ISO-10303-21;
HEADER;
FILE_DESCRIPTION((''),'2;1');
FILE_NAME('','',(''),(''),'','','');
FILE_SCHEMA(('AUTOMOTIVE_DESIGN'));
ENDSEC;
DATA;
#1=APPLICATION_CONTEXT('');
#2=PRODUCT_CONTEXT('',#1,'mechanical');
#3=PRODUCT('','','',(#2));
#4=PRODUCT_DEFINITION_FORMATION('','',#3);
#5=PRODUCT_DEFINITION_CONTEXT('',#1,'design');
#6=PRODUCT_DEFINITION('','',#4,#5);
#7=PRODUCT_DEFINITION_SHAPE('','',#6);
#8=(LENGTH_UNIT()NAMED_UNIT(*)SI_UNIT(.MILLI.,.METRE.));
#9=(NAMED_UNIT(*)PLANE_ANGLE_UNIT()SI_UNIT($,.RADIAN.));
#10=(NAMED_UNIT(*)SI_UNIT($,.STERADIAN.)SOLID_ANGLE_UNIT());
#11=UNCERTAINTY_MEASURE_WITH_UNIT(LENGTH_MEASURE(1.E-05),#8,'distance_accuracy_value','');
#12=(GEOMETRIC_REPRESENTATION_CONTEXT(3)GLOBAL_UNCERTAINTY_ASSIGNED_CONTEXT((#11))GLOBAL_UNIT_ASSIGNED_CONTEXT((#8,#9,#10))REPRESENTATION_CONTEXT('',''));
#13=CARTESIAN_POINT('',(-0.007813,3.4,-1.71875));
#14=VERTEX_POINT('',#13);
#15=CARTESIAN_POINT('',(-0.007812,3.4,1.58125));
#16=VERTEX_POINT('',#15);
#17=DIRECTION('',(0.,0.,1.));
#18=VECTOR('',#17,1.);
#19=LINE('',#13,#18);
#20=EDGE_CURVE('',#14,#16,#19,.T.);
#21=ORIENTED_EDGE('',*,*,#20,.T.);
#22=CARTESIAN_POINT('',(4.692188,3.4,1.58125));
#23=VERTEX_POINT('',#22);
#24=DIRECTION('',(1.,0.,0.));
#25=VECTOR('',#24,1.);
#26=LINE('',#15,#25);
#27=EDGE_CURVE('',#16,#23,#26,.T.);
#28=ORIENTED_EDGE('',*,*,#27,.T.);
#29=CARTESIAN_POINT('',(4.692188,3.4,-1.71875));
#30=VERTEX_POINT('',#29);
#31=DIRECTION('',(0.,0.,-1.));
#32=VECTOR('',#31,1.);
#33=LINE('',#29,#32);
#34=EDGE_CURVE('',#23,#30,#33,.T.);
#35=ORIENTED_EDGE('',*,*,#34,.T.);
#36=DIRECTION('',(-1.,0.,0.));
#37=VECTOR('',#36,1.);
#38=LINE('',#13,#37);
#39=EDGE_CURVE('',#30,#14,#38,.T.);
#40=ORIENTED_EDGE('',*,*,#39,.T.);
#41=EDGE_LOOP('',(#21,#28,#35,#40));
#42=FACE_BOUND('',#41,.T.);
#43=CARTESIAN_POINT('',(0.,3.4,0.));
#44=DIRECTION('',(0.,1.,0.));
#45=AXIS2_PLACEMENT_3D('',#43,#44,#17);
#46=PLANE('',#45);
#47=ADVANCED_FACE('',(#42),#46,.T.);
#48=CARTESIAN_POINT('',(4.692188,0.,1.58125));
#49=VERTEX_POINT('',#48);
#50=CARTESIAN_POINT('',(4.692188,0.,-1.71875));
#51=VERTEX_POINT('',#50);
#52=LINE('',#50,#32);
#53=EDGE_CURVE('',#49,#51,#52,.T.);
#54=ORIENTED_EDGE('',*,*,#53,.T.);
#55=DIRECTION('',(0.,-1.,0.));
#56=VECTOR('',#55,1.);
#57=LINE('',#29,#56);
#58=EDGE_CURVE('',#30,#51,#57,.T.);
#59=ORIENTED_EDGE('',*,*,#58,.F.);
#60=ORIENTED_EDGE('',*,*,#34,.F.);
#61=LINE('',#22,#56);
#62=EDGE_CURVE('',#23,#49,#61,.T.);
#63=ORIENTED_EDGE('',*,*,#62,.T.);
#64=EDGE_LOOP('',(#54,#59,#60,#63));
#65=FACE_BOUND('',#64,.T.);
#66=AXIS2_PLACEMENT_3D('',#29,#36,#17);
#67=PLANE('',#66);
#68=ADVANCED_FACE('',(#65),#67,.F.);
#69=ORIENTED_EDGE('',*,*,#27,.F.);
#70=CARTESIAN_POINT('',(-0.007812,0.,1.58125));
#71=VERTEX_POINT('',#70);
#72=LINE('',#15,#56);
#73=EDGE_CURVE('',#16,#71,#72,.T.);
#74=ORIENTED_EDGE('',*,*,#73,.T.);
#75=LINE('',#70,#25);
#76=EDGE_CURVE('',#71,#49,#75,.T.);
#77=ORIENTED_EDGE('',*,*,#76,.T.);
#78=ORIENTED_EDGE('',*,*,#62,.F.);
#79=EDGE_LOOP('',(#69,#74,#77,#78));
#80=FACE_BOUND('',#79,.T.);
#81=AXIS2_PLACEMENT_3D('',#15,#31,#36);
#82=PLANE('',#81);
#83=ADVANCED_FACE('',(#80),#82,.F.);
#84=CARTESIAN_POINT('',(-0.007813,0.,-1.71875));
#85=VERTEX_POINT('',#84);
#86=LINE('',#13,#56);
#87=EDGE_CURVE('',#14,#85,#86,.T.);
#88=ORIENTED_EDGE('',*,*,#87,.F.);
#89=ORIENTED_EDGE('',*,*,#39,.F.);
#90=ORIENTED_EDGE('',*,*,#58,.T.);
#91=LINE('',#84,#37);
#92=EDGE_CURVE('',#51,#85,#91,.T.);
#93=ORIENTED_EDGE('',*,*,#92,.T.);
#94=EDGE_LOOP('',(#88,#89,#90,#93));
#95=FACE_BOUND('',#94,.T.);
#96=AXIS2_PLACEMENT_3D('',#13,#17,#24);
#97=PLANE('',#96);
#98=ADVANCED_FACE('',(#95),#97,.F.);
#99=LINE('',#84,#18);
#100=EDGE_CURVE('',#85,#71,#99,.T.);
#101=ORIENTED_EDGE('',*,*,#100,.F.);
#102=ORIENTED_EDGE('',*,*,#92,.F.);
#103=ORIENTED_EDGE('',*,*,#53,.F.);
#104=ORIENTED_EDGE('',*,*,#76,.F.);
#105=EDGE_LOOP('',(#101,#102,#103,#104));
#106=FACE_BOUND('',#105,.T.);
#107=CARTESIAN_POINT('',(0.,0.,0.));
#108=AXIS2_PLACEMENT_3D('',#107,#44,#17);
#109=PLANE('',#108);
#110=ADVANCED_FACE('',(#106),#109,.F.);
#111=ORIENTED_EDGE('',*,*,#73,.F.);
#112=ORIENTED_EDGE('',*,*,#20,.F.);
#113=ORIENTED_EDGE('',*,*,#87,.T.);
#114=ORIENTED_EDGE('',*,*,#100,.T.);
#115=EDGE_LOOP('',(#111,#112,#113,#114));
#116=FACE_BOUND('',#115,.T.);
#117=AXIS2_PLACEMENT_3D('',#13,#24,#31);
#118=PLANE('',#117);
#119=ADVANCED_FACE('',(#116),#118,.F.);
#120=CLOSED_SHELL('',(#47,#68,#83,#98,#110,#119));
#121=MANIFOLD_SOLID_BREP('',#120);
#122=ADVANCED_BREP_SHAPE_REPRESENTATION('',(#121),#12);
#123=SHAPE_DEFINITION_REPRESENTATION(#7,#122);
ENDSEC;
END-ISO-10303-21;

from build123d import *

# Parameters (mm, degrees)
SKETCH1_W           = 4.7
SKETCH1_H           = 3.3
BOSS_EXTRUDE1_DEPTH = 3.4


with BuildPart() as part:
    # Sketch1 → Boss-Extrude1 (new body)
    with BuildSketch(Plane(origin=(0, 0, 0), x_dir=(1, 0, 0), z_dir=(0, 1, 0))):
        with Locations((2.3421875, 0.06875)):
            Rectangle(SKETCH1_W, SKETCH1_H)
    extrude(amount=BOSS_EXTRUDE1_DEPTH)


solid = part.part
